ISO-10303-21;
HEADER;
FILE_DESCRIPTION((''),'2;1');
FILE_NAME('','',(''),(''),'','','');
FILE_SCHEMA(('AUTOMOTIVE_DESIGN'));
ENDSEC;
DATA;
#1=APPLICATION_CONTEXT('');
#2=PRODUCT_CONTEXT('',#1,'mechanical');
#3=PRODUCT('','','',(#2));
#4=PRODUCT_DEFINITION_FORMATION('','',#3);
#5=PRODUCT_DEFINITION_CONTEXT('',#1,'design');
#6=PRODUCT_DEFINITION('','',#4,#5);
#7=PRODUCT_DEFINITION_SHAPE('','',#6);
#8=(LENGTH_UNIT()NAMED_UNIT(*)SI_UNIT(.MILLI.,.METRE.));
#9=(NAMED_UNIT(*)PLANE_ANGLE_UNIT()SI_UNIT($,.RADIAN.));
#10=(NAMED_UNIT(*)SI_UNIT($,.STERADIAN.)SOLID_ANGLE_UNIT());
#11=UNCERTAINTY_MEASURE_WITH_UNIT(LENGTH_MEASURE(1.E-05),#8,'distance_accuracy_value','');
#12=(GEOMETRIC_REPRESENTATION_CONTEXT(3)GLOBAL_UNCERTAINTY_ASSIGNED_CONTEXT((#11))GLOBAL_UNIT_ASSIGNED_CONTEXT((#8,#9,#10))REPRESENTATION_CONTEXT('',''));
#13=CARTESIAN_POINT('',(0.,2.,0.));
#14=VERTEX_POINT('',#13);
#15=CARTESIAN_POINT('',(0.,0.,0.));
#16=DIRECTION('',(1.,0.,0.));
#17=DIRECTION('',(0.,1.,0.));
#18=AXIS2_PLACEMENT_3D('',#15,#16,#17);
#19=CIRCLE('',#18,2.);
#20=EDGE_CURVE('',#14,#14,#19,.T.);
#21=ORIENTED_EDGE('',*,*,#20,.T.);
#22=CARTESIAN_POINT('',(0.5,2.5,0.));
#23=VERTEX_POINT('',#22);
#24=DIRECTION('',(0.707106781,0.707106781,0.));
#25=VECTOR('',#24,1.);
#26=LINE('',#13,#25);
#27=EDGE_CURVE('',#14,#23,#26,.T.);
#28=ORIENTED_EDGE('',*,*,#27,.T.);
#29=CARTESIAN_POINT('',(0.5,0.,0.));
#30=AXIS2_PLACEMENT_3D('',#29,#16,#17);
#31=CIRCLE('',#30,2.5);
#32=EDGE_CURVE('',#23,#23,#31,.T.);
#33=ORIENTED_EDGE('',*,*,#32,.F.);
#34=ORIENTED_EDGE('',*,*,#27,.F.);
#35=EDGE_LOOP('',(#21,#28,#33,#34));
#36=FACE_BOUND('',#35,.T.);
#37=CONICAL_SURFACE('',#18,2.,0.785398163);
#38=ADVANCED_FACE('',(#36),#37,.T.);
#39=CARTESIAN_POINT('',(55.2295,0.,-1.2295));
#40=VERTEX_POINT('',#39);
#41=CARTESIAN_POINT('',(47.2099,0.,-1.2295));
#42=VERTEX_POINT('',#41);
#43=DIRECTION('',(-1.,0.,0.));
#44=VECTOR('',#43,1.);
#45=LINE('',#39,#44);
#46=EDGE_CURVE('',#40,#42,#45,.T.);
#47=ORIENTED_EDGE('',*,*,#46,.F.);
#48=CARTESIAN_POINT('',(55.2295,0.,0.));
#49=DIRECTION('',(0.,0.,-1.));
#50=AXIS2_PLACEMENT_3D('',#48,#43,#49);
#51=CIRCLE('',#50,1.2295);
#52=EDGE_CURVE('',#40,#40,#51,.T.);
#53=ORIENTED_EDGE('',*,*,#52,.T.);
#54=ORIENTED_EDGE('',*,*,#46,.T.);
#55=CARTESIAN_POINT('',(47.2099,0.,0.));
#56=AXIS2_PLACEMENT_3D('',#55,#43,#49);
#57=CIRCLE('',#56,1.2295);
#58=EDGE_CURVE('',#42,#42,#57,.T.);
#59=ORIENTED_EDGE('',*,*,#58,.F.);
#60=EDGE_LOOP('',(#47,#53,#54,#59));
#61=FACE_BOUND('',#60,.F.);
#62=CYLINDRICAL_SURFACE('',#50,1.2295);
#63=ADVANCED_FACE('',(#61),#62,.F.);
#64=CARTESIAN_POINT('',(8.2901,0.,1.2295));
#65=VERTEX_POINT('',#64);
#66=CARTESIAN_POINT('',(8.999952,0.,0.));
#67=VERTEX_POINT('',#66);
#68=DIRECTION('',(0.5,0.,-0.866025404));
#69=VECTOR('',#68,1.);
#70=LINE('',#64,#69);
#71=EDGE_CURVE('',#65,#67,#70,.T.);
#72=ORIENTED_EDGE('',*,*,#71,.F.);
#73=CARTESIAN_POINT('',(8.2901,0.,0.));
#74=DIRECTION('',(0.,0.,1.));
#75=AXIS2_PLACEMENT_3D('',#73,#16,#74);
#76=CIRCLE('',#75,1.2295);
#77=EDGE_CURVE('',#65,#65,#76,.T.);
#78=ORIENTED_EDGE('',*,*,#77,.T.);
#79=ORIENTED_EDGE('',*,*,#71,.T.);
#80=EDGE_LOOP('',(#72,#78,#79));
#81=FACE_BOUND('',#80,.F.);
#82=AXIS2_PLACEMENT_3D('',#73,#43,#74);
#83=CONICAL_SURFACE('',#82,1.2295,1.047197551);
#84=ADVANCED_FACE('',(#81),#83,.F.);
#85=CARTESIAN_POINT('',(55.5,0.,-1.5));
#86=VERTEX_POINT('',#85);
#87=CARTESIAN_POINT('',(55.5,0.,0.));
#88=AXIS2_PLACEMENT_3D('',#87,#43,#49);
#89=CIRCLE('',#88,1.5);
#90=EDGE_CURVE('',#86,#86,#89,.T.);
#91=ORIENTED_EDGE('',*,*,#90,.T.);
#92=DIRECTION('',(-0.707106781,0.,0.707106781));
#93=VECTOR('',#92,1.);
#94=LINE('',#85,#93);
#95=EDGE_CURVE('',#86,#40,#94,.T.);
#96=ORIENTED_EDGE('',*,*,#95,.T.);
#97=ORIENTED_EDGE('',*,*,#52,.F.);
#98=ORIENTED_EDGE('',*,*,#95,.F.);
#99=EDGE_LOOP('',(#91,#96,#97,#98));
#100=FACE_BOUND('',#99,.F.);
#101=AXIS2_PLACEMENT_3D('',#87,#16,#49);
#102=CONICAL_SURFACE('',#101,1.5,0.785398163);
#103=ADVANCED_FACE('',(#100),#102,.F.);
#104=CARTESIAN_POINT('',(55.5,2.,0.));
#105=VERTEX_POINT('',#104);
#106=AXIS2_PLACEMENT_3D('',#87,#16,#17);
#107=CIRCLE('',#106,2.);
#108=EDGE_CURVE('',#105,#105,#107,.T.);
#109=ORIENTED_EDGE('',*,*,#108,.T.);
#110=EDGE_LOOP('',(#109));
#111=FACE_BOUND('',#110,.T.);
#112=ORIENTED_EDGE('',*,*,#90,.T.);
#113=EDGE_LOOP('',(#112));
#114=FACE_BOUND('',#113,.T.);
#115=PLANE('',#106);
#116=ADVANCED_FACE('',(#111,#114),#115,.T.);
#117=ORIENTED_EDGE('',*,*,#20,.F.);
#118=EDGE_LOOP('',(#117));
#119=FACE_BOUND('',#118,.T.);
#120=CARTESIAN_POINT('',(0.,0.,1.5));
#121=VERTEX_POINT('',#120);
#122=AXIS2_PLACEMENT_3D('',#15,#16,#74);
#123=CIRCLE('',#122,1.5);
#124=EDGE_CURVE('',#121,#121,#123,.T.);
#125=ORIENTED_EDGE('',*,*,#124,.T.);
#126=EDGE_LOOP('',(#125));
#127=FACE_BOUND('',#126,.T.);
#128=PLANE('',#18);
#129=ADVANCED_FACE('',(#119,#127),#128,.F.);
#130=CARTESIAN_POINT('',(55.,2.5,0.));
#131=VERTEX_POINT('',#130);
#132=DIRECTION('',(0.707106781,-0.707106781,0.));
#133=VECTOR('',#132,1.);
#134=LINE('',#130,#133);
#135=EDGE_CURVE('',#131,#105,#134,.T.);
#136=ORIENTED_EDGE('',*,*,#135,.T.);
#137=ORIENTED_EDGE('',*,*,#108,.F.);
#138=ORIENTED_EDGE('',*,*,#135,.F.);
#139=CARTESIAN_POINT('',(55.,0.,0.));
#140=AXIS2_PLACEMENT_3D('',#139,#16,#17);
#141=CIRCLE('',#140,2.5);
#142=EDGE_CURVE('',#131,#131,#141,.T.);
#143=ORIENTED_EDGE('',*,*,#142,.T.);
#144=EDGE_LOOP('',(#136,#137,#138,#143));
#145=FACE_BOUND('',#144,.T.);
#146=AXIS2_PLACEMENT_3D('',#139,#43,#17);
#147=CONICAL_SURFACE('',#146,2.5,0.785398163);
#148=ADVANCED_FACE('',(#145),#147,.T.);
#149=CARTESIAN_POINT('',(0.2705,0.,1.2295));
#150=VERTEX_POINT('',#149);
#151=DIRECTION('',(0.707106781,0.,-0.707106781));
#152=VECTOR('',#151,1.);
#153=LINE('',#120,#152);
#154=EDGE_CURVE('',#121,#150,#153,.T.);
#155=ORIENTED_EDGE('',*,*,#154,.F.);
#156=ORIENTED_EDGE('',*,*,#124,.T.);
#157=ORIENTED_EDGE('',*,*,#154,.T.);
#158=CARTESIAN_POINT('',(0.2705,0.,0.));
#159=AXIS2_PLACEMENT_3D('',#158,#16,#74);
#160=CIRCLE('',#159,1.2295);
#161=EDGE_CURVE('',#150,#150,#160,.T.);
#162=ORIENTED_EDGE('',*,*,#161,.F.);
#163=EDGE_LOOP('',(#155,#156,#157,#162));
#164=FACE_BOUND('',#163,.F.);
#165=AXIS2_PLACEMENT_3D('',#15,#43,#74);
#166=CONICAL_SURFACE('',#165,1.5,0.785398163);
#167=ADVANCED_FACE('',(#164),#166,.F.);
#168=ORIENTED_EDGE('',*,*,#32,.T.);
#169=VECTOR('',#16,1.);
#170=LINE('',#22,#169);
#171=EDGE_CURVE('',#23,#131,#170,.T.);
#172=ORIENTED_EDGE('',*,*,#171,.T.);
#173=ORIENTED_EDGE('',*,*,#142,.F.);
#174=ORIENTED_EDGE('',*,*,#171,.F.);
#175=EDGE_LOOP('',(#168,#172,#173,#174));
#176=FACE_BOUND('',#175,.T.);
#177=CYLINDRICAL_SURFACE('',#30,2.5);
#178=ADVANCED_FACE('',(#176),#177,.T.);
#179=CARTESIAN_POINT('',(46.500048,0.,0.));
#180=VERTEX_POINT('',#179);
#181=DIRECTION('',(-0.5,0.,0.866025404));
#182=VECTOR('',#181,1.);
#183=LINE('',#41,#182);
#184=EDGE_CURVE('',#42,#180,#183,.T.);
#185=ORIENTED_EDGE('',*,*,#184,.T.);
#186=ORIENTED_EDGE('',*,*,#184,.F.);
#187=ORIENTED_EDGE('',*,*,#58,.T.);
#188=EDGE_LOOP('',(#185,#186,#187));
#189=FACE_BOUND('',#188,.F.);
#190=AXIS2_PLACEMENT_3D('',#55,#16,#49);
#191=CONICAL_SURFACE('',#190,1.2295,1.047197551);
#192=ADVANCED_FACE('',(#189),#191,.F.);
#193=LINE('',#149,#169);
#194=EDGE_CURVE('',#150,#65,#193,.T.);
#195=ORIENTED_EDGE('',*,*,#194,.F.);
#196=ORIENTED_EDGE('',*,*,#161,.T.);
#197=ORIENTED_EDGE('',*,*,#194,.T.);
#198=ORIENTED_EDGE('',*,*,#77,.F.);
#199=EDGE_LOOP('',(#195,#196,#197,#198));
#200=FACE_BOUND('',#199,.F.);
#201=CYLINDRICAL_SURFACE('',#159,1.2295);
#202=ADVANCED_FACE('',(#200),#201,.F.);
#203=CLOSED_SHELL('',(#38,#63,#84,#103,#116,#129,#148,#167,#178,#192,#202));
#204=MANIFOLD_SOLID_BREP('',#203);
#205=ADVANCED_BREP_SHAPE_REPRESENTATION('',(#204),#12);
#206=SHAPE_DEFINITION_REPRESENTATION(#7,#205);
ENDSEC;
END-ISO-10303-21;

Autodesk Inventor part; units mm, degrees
ref_plane "YZ Plane" through (0, 0, 0) normal (1, 0, 0) x (0, 1, 0)
ref_plane "XZ Plane" through (0, 0, 0) normal (0, 1, 0) x (-1, 0, 0)
ref_plane "XY Plane" through (0, 0, 0) normal (0, 0, 1) x (1, 0, 0)
sketch "Sketch_1" plane through (0, 0, 0) normal (0, 0, 1) x (1, 0, 0)
  line L0 (55.5, 0) -> (0, 0)
  line L1 (0, 0) -> (0, 2)
  line L2 (0, 2) -> (0.5, 2.5)
  line L3 (0.5, 2.5) -> (55, 2.5)
  line L4 (55, 2.5) -> (55.5, 2)
  line L5 (55.5, 2) -> (55.5, 0)
  line L6 (55.5, 0) -> (0, 0)
revolve "Revolution1" add sketch "Sketch_1" angle 360 about axis through (55.5, 0, 0) along (1, 0, 0)
sketch "Sketch2" plane through (0, 0, 0) normal (-1, 0, 0) x (0, 0, 1)
  point P0 (0, 0)
hole "Hole1" at (0, 0, 0) direction (1, 0, 0) diameter 2.459 depth 8.2901 tip angle 120 countersink diameter 3 countersink angle 90 thread size "M3x0.5" class "6H" standard "ISO Metric profile"
sketch "Sketch3" plane through (55.5, 0, 0) normal (1, 0, 0) x (0, 0, -1)
  point P0 (0, 0)
hole "Hole2" at (55.5, 0, 0) direction (-1, 0, 0) diameter 2.459 depth 8.2901 tip angle 120 countersink diameter 3 countersink angle 90 thread size "M3x0.5" class "6H" standard "ISO Metric profile"
properties part number "SETF5-55.5-M3-N3" material "ステンレス鋼 AISI 304"
